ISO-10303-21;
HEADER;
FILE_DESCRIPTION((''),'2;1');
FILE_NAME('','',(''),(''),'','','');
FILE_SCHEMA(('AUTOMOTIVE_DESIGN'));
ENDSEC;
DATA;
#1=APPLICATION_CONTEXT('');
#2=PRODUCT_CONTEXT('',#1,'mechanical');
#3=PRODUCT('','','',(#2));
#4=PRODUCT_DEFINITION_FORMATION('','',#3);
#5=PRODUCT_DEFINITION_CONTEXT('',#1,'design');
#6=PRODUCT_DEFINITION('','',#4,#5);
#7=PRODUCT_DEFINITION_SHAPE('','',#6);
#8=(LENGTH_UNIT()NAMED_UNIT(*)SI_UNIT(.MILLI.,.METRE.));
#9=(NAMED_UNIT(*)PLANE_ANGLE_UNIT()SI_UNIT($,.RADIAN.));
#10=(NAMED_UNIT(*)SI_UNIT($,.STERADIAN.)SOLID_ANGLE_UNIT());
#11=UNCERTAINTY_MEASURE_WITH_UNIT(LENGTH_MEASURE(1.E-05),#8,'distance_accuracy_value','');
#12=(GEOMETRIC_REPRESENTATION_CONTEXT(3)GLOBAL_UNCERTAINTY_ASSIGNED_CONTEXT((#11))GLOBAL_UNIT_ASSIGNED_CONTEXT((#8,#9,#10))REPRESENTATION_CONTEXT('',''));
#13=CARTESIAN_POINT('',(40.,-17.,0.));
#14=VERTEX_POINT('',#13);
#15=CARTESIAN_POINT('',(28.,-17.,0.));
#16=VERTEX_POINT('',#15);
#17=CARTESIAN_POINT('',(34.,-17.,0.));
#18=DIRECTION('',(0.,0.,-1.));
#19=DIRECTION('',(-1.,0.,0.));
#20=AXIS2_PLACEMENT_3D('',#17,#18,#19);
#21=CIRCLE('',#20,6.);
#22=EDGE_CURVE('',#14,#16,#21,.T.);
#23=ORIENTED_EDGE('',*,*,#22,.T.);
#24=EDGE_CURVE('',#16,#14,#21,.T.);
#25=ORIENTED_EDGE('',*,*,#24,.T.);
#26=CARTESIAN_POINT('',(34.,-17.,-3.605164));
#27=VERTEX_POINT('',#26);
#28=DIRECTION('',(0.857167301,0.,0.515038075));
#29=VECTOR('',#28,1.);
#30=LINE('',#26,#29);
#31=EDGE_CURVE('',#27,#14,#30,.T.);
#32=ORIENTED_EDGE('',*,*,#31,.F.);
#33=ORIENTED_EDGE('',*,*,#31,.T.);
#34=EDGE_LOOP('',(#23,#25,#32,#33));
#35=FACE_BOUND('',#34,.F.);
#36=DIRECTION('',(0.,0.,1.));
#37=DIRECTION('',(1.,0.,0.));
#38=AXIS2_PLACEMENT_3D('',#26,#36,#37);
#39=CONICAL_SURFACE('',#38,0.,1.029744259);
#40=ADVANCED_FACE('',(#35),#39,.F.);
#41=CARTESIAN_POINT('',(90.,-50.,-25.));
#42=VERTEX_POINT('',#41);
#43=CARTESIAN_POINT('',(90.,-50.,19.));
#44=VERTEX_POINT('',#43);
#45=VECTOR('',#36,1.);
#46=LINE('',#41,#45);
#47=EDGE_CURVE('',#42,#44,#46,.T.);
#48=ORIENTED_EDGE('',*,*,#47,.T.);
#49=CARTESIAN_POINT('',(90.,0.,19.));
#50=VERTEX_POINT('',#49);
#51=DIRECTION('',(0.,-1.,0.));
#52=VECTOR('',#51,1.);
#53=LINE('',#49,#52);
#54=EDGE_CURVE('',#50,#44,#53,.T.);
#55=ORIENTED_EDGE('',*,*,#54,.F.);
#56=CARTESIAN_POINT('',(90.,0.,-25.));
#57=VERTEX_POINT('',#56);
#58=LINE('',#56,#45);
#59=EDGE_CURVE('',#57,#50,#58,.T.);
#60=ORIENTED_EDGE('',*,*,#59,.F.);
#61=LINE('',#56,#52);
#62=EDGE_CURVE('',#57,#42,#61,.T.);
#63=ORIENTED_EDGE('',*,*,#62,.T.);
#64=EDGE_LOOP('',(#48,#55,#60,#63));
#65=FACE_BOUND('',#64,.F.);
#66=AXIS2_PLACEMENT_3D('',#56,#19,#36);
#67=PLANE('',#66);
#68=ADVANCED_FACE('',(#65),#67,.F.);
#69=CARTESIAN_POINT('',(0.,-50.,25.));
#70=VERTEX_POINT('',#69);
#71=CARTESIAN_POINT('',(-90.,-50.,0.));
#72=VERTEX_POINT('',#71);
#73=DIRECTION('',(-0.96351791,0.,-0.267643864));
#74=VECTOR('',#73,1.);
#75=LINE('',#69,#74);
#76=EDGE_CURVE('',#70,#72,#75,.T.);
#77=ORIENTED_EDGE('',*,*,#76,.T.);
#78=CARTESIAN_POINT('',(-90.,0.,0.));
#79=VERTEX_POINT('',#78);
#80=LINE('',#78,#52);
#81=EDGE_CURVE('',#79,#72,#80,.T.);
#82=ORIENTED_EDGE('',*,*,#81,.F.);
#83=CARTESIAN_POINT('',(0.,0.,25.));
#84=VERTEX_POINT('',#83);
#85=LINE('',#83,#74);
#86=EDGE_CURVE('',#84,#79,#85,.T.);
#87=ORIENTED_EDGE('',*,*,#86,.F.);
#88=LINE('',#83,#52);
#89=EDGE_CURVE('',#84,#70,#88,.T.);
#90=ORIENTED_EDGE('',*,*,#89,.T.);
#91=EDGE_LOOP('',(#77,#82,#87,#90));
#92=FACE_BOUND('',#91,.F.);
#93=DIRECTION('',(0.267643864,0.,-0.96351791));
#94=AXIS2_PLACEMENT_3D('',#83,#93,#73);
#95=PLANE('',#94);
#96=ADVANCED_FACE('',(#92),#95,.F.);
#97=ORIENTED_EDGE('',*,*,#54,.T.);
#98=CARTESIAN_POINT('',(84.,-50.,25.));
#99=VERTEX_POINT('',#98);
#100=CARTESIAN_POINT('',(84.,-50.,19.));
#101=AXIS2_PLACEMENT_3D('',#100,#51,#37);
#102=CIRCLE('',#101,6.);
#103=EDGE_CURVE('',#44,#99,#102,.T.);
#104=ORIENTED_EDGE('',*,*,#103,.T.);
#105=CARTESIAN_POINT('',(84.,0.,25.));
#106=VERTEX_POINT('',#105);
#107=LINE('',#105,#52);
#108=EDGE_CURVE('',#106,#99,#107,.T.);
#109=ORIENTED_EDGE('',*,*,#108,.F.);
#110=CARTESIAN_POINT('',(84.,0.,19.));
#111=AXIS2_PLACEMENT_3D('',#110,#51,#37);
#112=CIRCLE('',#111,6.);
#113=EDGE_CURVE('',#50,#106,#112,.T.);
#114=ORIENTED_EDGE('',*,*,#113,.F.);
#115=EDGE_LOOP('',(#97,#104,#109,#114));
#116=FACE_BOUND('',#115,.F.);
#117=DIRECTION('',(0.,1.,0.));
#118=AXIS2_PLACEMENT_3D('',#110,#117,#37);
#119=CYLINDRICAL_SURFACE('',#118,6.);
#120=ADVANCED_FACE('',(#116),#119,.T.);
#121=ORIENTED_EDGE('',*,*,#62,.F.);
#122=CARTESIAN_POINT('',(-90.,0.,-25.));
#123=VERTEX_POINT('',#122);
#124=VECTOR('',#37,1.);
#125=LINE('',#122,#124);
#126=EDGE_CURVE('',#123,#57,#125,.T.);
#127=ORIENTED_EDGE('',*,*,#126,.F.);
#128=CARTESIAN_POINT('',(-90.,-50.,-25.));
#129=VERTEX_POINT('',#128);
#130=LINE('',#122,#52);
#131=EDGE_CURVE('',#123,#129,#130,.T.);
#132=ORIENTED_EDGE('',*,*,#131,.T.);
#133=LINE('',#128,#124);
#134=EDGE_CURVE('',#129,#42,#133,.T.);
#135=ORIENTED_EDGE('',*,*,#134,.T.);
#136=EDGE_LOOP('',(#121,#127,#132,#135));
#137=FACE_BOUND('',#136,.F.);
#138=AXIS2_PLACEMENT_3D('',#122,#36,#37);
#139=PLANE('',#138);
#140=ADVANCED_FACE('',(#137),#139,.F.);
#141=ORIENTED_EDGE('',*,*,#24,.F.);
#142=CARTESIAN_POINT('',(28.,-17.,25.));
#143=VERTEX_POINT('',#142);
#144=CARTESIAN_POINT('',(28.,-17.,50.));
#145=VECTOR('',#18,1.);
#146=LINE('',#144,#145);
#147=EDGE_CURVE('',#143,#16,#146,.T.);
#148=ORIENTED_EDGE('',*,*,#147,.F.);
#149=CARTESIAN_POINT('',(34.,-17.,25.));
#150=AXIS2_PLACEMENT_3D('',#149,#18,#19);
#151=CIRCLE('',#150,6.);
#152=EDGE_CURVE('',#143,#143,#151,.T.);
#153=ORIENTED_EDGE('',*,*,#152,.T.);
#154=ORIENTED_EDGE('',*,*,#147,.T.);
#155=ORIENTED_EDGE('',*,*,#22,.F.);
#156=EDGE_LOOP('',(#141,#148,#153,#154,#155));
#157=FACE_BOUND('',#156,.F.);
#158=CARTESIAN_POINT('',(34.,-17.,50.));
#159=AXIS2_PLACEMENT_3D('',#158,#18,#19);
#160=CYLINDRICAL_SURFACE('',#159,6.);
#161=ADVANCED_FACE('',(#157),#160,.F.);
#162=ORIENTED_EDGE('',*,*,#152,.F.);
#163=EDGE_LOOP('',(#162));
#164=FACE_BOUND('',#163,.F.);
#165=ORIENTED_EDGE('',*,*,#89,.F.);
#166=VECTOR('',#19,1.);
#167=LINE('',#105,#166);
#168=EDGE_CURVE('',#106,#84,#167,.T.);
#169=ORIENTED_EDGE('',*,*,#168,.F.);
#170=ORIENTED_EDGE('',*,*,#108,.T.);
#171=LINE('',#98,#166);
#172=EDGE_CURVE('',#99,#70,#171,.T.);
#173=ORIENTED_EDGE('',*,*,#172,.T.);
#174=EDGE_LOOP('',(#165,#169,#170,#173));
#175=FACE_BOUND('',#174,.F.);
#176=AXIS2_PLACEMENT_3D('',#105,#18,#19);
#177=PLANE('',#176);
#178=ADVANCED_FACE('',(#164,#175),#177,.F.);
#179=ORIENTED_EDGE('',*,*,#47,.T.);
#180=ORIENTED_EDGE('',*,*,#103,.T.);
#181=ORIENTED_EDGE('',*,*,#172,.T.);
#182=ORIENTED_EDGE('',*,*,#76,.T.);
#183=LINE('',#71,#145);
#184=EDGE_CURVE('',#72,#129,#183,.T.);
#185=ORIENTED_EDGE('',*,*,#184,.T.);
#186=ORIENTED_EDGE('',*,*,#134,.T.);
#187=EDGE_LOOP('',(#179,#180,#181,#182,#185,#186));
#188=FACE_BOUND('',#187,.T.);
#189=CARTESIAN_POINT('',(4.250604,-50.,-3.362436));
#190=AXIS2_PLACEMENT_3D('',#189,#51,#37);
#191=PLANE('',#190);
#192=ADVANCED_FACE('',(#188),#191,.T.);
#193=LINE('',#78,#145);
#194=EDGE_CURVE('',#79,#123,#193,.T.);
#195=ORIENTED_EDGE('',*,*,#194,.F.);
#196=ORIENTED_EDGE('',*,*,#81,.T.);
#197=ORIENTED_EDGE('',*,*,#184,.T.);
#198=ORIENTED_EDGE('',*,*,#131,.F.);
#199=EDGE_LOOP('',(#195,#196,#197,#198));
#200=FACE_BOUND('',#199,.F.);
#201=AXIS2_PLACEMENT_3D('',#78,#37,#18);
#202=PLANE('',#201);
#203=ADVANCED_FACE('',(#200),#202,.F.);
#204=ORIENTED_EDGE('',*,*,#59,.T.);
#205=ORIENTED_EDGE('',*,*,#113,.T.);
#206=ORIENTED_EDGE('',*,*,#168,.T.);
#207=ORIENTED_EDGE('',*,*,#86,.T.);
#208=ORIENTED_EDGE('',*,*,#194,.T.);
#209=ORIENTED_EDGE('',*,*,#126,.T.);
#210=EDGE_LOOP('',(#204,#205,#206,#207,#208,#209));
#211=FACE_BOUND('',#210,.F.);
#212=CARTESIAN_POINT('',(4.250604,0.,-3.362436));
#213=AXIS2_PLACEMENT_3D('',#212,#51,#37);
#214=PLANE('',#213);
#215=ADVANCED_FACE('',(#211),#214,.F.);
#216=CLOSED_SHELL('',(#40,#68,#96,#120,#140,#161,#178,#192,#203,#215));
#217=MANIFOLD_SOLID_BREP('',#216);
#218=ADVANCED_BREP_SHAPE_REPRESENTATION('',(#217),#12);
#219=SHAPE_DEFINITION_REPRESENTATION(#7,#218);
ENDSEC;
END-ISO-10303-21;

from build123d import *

# Parameters (mm, degrees)
F1_DEPTH = 50
F3_D     = 12
F3_DEPTH = 25
F3_TIP   = 3.6051637142


with BuildPart() as f1:
    # F0 (on Front) → F1 (new body)
    with BuildSketch(Plane.XZ):
        with BuildLine():
            Line((-90, 0), (-90, -25))
            Line((-90, -25), (90, -25))
            Line((90, -25), (90, 19))
            ThreePointArc((90, 19), (88.2426406871, 23.2426406871), (84, 25))
            Line((84, 25), (0, 25))
            Line((0, 25), (-90, 0))
        make_face()
    extrude(amount=F1_DEPTH)

    # F3
    with Locations(Plane.XY.offset(25)):
        with Locations((34, -17)):
            Hole(F3_D / 2, depth=F3_DEPTH)
            with Locations((0, 0, -(F3_DEPTH + F3_TIP / 2))):  # 118° drill point
                Cone(0, F3_D / 2, F3_TIP, mode=Mode.SUBTRACT)


solid = f1.part
